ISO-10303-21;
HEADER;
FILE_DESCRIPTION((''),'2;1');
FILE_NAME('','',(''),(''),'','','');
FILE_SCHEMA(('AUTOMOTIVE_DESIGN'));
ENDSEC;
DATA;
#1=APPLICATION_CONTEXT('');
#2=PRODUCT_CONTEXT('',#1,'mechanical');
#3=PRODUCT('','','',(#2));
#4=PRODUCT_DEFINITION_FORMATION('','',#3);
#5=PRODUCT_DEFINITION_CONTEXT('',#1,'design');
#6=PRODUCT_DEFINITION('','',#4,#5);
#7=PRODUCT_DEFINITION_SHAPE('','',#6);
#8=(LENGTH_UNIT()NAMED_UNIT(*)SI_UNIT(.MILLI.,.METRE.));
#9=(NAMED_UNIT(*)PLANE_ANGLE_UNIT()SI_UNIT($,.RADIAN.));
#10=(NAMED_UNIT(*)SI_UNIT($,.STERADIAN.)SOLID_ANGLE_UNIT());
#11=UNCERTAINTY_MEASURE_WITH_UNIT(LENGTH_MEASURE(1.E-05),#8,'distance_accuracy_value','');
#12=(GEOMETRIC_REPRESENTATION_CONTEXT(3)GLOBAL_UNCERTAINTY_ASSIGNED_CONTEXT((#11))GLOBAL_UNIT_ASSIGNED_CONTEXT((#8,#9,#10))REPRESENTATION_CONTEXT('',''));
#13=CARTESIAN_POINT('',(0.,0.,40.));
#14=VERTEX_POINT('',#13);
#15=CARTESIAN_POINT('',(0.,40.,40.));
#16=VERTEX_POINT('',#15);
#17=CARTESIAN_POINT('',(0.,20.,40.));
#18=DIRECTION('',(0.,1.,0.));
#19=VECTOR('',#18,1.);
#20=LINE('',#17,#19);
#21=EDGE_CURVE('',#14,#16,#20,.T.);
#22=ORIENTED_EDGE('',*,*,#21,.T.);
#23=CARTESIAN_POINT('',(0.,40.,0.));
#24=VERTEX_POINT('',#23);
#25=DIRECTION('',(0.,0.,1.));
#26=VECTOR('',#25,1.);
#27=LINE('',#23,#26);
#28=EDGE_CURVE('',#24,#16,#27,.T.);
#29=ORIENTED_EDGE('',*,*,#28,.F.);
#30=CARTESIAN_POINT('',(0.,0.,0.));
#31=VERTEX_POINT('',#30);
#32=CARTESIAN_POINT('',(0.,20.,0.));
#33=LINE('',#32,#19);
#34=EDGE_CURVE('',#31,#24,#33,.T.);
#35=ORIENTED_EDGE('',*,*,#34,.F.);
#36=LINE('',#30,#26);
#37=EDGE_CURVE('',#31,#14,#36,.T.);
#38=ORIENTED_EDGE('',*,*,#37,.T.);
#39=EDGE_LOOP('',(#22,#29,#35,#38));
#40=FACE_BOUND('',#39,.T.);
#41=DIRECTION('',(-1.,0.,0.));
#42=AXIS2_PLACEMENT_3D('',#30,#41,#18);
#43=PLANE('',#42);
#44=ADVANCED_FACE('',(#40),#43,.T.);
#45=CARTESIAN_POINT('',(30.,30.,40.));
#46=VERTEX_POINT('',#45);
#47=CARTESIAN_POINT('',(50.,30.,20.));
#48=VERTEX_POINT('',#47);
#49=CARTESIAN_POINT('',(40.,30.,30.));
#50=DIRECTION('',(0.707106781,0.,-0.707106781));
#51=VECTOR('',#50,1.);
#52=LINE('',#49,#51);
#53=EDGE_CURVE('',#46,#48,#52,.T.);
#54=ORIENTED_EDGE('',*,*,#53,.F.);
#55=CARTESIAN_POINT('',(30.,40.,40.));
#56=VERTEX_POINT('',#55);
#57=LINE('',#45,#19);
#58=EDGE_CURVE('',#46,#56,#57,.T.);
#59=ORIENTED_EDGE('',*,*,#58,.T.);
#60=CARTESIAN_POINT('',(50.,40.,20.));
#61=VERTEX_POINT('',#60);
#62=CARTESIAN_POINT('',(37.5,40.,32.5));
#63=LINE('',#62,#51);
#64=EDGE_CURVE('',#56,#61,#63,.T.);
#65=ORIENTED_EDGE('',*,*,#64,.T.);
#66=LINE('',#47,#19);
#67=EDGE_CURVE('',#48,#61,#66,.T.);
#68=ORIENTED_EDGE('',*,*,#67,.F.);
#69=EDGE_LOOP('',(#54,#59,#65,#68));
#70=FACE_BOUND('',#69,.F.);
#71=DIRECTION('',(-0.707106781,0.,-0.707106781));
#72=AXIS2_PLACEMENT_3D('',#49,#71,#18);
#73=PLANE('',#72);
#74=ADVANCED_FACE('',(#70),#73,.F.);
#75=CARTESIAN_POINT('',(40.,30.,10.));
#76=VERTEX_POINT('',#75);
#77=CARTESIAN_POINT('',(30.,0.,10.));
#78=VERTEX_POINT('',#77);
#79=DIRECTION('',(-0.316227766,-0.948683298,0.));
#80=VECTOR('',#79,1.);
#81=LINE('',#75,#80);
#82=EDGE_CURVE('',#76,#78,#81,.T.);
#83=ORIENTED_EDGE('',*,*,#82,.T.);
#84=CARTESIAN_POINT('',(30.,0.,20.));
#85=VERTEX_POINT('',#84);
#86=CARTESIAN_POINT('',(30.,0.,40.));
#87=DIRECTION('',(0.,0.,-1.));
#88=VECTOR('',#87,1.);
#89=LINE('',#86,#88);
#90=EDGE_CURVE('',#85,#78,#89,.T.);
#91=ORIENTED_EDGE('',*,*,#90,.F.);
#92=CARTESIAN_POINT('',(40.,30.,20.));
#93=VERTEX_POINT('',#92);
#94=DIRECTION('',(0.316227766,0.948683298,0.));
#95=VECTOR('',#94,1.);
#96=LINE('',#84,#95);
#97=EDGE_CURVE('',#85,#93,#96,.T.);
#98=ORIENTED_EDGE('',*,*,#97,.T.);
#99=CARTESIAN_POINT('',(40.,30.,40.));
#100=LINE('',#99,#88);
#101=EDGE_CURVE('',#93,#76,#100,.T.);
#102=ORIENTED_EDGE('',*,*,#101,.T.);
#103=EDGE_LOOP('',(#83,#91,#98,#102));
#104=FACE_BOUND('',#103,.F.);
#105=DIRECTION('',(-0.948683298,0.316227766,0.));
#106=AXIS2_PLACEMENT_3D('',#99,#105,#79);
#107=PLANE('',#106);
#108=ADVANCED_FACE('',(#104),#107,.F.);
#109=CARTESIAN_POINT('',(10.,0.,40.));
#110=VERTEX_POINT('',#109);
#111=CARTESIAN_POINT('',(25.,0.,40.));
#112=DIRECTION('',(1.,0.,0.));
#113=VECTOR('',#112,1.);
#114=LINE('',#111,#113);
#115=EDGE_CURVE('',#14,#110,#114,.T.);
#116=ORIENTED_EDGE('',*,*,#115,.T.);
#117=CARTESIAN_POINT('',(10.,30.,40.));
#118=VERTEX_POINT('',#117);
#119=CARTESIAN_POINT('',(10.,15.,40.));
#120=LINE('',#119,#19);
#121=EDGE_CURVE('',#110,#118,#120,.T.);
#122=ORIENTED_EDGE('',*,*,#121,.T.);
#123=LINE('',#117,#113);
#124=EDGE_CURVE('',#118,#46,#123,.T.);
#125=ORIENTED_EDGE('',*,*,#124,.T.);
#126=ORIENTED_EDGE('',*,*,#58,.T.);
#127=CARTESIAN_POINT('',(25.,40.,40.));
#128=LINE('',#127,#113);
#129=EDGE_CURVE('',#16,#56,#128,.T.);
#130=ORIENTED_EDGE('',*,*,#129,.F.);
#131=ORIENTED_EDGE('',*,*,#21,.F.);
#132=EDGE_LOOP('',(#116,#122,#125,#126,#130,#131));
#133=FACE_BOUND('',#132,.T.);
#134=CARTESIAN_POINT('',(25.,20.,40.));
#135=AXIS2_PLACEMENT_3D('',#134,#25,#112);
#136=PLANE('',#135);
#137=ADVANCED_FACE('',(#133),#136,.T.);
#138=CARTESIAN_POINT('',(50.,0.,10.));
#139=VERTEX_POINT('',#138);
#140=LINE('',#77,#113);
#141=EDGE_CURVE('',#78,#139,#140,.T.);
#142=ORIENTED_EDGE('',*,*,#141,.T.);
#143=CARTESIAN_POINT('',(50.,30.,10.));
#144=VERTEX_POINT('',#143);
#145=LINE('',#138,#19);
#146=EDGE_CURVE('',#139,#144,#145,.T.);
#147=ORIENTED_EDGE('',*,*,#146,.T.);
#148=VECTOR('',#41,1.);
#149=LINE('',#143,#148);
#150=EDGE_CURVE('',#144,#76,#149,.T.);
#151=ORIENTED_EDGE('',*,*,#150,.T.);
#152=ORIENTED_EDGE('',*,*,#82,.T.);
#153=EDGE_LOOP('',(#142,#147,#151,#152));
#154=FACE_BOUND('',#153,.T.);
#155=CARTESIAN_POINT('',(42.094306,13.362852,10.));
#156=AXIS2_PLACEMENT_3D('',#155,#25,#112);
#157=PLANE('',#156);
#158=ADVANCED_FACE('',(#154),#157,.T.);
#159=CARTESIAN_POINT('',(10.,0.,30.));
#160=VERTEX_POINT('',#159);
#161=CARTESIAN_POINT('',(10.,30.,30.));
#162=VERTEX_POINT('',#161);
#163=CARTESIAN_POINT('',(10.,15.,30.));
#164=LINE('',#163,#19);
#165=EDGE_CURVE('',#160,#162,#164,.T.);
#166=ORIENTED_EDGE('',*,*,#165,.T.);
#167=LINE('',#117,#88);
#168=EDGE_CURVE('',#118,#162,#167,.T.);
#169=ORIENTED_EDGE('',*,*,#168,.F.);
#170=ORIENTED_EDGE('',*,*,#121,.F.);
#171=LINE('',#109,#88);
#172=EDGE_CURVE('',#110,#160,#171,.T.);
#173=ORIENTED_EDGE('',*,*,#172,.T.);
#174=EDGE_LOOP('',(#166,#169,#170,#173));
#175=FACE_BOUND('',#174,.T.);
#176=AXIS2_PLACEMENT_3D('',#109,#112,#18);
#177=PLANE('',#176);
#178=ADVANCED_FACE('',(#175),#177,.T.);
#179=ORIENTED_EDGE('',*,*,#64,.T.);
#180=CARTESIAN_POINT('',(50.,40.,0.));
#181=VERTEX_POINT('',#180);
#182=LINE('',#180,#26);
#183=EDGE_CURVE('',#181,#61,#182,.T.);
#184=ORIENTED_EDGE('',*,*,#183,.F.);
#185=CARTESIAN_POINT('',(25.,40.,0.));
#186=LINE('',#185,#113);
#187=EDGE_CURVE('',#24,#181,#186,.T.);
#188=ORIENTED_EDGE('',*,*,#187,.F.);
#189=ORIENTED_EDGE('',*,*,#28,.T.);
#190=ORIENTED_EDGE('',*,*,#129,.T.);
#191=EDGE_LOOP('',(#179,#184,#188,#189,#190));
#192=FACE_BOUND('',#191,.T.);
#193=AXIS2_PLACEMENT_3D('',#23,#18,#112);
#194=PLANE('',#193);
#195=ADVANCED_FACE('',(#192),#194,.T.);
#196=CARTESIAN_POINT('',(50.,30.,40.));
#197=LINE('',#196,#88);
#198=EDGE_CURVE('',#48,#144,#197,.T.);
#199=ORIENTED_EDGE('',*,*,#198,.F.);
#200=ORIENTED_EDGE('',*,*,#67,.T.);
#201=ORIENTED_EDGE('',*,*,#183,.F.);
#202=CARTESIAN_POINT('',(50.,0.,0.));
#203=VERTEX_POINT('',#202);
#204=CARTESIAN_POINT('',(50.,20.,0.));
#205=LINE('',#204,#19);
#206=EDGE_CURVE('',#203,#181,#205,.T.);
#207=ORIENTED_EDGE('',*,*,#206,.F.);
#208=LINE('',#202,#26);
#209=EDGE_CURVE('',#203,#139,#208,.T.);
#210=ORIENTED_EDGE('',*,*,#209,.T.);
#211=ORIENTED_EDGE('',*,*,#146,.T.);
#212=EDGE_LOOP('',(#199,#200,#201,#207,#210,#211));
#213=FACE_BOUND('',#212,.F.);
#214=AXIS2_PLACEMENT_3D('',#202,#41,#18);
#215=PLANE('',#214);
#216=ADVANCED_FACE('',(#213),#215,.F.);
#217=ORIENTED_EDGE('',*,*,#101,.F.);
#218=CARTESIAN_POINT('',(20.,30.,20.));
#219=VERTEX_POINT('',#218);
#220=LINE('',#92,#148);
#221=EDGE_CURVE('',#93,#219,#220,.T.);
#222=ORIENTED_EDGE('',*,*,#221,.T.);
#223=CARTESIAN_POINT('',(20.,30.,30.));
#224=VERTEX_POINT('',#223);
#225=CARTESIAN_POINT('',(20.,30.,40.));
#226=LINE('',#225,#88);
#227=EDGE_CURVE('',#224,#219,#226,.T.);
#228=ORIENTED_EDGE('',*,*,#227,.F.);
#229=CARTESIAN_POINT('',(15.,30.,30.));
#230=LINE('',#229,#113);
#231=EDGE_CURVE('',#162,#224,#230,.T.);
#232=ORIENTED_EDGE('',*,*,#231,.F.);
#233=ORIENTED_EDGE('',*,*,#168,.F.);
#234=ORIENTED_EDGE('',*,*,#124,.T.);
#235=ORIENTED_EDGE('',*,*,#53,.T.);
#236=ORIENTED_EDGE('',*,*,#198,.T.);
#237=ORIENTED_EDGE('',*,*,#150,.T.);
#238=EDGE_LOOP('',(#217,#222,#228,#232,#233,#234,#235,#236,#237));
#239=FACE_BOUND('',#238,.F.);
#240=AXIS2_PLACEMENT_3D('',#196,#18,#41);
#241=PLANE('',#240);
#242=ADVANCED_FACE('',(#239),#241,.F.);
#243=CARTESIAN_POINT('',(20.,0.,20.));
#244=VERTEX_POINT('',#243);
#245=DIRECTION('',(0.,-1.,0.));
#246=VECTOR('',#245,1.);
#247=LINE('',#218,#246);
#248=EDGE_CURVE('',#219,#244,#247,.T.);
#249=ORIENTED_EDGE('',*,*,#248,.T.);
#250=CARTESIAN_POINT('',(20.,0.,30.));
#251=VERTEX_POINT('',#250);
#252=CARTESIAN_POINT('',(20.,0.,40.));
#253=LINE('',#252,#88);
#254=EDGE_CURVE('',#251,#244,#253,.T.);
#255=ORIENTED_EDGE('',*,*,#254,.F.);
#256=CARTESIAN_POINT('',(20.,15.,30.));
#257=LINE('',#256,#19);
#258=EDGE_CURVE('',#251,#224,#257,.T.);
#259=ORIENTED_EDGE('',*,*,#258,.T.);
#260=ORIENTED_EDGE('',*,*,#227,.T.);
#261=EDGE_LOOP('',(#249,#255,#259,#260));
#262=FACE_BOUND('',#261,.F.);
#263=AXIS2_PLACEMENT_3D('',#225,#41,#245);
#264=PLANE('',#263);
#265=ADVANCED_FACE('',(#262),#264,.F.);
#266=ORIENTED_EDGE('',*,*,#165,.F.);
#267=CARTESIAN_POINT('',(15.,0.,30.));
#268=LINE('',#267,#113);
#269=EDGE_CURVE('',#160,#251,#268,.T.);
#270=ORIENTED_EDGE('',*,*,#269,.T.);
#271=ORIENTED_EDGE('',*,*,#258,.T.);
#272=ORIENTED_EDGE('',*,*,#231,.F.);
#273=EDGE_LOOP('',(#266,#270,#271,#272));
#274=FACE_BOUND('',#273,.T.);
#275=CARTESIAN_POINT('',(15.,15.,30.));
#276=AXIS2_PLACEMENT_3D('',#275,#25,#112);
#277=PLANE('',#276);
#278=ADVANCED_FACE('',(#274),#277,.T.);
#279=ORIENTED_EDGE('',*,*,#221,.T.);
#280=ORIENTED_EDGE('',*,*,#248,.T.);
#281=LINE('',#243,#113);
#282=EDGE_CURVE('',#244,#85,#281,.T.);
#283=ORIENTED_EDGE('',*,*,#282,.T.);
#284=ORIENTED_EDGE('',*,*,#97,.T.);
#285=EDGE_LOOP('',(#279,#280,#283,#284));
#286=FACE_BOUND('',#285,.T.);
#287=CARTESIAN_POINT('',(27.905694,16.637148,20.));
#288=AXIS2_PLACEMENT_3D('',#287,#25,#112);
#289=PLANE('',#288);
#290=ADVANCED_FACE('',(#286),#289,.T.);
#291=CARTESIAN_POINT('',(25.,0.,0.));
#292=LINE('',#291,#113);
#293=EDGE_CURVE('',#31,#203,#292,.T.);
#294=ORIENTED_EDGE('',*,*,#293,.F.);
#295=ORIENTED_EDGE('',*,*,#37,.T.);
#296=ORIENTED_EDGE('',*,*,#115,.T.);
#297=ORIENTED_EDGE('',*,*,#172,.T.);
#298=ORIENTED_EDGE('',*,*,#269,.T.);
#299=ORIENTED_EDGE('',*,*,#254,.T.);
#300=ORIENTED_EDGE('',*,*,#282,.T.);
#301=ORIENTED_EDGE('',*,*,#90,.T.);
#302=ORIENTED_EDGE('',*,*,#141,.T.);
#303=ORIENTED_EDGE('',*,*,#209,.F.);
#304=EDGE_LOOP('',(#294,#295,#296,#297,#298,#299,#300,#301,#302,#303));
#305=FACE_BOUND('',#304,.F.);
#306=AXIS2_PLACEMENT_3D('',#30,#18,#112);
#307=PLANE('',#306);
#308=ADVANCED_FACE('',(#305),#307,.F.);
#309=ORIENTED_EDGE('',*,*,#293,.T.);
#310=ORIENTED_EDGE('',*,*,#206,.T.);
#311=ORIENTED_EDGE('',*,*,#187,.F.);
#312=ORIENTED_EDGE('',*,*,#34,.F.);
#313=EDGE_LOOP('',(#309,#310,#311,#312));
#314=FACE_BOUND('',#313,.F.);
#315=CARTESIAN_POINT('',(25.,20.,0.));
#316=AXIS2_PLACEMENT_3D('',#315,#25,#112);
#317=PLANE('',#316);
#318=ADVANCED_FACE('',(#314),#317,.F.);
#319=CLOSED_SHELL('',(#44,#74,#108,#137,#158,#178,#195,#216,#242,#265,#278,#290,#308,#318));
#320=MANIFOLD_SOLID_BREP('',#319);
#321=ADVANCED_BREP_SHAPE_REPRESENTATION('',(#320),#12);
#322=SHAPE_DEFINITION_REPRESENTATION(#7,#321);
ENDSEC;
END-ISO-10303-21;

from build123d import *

# Parameters (mm, degrees)
F0_W     = 50
F0_H     = 40
F1_DEPTH = 40
F3_DEPTH = 30
F5_DEPTH = 20
F6_W     = 10
F6_H     = 30
F7_DEPTH = 10
F8_SIZE  = 20


with BuildPart() as f1:
    # F0 (on Top) → F1 (new body)
    with BuildSketch(Plane.XY):
        with Locations((25, 20)):
            Rectangle(F0_W, F0_H)
    extrude(amount=F1_DEPTH)

    # F2 (on face) → F3 (cut)
    with BuildSketch(Plane.XY.offset(40)):
        Polygon((50, 0), (50, 30), (40, 30), (30, 0), align=None)
    extrude(amount=-F3_DEPTH, mode=Mode.SUBTRACT)

    # F4 (on face) → F5 (cut)
    with BuildSketch(Plane.XY.offset(40)):
        Polygon((30, 0), (40, 30), (20, 30), (20, 0), align=None)
    extrude(amount=-F5_DEPTH, mode=Mode.SUBTRACT)

    # F6 (on face) → F7 (cut)
    with BuildSketch(Plane.XY.offset(40)):
        with Locations((15, 15)):
            Rectangle(F6_W, F6_H)
    extrude(amount=-F7_DEPTH, mode=Mode.SUBTRACT)

    # F8
    f8_edges = [f1.edges().sort_by_distance(p)[0] for p in [
        (50, 35, 40),
    ]]
    chamfer(f8_edges, length=F8_SIZE)


solid = f1.part
